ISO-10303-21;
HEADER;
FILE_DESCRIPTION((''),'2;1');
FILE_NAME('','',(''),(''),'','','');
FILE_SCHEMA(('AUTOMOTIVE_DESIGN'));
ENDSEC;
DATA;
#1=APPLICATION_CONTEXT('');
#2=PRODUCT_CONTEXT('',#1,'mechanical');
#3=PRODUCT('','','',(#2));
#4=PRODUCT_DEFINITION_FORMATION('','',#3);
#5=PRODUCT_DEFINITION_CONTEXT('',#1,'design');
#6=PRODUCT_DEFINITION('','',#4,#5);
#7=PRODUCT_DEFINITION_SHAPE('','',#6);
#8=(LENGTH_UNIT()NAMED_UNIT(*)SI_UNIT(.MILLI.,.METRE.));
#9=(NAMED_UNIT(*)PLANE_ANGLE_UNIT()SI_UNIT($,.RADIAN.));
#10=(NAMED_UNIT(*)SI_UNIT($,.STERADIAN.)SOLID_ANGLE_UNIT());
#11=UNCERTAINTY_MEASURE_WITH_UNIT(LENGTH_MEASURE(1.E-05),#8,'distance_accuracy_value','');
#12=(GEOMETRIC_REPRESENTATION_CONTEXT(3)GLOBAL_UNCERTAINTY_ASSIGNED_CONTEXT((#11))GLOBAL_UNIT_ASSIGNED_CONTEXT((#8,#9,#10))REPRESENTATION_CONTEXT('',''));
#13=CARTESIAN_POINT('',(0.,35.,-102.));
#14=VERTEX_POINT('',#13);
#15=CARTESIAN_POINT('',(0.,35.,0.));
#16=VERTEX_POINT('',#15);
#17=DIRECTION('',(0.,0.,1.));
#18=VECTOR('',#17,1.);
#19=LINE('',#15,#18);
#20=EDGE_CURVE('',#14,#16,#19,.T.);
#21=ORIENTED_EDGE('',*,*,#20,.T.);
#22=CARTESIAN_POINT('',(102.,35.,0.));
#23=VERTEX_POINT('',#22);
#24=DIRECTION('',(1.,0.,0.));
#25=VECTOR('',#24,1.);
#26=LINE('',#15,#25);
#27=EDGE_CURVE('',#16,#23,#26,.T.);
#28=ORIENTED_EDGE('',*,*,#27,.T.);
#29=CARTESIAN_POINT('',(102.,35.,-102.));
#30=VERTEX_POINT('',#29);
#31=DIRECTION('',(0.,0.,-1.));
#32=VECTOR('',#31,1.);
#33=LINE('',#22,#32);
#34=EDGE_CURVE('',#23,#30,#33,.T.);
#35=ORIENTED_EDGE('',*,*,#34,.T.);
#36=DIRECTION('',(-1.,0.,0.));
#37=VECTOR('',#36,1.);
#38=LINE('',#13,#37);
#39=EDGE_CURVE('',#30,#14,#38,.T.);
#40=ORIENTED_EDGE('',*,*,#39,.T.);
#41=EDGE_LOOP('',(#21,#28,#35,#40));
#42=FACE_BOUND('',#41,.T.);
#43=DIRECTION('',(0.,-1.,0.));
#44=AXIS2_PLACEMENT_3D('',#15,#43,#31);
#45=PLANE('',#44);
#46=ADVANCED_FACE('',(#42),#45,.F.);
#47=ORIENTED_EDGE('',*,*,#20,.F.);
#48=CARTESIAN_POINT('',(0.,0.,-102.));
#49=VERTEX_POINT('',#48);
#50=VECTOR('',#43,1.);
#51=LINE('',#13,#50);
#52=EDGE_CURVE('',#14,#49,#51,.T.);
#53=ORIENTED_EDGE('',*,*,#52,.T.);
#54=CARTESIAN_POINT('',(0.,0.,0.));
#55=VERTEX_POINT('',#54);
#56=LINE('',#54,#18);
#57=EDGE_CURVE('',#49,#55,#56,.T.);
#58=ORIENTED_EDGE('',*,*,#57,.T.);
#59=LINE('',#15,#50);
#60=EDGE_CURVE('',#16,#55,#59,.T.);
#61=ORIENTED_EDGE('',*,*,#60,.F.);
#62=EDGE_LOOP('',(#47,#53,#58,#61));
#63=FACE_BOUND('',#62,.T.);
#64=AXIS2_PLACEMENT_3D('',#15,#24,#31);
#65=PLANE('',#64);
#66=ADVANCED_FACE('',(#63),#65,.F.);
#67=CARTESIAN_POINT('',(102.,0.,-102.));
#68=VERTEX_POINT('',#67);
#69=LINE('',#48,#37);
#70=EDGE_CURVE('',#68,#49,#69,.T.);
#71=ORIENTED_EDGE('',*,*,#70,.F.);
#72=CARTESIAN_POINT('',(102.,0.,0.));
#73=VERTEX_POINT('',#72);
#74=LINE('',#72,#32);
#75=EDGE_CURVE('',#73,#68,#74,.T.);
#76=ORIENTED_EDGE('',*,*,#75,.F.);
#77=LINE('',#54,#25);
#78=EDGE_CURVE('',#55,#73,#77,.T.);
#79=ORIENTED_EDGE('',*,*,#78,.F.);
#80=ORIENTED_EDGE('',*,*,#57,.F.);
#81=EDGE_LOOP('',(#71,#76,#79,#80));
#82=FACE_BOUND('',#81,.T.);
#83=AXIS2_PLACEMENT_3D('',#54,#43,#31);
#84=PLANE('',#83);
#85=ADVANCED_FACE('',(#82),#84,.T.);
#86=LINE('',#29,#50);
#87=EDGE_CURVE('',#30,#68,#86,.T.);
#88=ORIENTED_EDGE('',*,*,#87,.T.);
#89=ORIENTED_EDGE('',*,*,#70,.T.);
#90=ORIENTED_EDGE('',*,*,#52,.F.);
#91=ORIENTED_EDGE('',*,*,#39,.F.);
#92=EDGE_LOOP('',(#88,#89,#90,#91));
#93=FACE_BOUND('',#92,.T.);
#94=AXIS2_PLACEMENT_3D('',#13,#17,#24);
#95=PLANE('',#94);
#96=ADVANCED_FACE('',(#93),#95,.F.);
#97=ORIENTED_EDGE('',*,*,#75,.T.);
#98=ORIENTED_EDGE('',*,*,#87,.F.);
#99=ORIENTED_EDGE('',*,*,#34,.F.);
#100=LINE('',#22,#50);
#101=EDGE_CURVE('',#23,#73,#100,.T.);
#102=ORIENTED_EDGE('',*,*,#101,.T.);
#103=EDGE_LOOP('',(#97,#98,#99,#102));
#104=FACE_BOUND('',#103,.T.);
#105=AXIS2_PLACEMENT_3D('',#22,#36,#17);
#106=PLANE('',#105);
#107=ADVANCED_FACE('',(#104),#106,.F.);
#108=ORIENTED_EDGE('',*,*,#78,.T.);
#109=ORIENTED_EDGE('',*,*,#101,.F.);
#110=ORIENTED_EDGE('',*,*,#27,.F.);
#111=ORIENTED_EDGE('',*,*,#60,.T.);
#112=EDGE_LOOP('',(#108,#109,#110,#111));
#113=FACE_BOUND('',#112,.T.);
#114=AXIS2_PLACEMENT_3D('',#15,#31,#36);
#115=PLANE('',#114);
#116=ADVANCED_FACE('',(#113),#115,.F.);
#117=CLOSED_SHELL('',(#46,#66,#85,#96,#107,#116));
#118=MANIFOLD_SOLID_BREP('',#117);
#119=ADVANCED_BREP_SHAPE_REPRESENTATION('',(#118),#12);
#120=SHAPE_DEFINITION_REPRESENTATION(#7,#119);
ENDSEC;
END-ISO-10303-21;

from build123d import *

# Parameters (mm, degrees)
SKETCH1_W           = 102
SKETCH1_H           = 102
BOSS_EXTRUDE1_DEPTH = 35


with BuildPart() as part:
    # Sketch1 → Boss-Extrude1 (new body)
    with BuildSketch(Plane(origin=(0, 0, 0), x_dir=(1, 0, 0), z_dir=(0, 1, 0))):
        with Locations((51, 51)):
            Rectangle(SKETCH1_W, SKETCH1_H)
    extrude(amount=BOSS_EXTRUDE1_DEPTH)


solid = part.part
